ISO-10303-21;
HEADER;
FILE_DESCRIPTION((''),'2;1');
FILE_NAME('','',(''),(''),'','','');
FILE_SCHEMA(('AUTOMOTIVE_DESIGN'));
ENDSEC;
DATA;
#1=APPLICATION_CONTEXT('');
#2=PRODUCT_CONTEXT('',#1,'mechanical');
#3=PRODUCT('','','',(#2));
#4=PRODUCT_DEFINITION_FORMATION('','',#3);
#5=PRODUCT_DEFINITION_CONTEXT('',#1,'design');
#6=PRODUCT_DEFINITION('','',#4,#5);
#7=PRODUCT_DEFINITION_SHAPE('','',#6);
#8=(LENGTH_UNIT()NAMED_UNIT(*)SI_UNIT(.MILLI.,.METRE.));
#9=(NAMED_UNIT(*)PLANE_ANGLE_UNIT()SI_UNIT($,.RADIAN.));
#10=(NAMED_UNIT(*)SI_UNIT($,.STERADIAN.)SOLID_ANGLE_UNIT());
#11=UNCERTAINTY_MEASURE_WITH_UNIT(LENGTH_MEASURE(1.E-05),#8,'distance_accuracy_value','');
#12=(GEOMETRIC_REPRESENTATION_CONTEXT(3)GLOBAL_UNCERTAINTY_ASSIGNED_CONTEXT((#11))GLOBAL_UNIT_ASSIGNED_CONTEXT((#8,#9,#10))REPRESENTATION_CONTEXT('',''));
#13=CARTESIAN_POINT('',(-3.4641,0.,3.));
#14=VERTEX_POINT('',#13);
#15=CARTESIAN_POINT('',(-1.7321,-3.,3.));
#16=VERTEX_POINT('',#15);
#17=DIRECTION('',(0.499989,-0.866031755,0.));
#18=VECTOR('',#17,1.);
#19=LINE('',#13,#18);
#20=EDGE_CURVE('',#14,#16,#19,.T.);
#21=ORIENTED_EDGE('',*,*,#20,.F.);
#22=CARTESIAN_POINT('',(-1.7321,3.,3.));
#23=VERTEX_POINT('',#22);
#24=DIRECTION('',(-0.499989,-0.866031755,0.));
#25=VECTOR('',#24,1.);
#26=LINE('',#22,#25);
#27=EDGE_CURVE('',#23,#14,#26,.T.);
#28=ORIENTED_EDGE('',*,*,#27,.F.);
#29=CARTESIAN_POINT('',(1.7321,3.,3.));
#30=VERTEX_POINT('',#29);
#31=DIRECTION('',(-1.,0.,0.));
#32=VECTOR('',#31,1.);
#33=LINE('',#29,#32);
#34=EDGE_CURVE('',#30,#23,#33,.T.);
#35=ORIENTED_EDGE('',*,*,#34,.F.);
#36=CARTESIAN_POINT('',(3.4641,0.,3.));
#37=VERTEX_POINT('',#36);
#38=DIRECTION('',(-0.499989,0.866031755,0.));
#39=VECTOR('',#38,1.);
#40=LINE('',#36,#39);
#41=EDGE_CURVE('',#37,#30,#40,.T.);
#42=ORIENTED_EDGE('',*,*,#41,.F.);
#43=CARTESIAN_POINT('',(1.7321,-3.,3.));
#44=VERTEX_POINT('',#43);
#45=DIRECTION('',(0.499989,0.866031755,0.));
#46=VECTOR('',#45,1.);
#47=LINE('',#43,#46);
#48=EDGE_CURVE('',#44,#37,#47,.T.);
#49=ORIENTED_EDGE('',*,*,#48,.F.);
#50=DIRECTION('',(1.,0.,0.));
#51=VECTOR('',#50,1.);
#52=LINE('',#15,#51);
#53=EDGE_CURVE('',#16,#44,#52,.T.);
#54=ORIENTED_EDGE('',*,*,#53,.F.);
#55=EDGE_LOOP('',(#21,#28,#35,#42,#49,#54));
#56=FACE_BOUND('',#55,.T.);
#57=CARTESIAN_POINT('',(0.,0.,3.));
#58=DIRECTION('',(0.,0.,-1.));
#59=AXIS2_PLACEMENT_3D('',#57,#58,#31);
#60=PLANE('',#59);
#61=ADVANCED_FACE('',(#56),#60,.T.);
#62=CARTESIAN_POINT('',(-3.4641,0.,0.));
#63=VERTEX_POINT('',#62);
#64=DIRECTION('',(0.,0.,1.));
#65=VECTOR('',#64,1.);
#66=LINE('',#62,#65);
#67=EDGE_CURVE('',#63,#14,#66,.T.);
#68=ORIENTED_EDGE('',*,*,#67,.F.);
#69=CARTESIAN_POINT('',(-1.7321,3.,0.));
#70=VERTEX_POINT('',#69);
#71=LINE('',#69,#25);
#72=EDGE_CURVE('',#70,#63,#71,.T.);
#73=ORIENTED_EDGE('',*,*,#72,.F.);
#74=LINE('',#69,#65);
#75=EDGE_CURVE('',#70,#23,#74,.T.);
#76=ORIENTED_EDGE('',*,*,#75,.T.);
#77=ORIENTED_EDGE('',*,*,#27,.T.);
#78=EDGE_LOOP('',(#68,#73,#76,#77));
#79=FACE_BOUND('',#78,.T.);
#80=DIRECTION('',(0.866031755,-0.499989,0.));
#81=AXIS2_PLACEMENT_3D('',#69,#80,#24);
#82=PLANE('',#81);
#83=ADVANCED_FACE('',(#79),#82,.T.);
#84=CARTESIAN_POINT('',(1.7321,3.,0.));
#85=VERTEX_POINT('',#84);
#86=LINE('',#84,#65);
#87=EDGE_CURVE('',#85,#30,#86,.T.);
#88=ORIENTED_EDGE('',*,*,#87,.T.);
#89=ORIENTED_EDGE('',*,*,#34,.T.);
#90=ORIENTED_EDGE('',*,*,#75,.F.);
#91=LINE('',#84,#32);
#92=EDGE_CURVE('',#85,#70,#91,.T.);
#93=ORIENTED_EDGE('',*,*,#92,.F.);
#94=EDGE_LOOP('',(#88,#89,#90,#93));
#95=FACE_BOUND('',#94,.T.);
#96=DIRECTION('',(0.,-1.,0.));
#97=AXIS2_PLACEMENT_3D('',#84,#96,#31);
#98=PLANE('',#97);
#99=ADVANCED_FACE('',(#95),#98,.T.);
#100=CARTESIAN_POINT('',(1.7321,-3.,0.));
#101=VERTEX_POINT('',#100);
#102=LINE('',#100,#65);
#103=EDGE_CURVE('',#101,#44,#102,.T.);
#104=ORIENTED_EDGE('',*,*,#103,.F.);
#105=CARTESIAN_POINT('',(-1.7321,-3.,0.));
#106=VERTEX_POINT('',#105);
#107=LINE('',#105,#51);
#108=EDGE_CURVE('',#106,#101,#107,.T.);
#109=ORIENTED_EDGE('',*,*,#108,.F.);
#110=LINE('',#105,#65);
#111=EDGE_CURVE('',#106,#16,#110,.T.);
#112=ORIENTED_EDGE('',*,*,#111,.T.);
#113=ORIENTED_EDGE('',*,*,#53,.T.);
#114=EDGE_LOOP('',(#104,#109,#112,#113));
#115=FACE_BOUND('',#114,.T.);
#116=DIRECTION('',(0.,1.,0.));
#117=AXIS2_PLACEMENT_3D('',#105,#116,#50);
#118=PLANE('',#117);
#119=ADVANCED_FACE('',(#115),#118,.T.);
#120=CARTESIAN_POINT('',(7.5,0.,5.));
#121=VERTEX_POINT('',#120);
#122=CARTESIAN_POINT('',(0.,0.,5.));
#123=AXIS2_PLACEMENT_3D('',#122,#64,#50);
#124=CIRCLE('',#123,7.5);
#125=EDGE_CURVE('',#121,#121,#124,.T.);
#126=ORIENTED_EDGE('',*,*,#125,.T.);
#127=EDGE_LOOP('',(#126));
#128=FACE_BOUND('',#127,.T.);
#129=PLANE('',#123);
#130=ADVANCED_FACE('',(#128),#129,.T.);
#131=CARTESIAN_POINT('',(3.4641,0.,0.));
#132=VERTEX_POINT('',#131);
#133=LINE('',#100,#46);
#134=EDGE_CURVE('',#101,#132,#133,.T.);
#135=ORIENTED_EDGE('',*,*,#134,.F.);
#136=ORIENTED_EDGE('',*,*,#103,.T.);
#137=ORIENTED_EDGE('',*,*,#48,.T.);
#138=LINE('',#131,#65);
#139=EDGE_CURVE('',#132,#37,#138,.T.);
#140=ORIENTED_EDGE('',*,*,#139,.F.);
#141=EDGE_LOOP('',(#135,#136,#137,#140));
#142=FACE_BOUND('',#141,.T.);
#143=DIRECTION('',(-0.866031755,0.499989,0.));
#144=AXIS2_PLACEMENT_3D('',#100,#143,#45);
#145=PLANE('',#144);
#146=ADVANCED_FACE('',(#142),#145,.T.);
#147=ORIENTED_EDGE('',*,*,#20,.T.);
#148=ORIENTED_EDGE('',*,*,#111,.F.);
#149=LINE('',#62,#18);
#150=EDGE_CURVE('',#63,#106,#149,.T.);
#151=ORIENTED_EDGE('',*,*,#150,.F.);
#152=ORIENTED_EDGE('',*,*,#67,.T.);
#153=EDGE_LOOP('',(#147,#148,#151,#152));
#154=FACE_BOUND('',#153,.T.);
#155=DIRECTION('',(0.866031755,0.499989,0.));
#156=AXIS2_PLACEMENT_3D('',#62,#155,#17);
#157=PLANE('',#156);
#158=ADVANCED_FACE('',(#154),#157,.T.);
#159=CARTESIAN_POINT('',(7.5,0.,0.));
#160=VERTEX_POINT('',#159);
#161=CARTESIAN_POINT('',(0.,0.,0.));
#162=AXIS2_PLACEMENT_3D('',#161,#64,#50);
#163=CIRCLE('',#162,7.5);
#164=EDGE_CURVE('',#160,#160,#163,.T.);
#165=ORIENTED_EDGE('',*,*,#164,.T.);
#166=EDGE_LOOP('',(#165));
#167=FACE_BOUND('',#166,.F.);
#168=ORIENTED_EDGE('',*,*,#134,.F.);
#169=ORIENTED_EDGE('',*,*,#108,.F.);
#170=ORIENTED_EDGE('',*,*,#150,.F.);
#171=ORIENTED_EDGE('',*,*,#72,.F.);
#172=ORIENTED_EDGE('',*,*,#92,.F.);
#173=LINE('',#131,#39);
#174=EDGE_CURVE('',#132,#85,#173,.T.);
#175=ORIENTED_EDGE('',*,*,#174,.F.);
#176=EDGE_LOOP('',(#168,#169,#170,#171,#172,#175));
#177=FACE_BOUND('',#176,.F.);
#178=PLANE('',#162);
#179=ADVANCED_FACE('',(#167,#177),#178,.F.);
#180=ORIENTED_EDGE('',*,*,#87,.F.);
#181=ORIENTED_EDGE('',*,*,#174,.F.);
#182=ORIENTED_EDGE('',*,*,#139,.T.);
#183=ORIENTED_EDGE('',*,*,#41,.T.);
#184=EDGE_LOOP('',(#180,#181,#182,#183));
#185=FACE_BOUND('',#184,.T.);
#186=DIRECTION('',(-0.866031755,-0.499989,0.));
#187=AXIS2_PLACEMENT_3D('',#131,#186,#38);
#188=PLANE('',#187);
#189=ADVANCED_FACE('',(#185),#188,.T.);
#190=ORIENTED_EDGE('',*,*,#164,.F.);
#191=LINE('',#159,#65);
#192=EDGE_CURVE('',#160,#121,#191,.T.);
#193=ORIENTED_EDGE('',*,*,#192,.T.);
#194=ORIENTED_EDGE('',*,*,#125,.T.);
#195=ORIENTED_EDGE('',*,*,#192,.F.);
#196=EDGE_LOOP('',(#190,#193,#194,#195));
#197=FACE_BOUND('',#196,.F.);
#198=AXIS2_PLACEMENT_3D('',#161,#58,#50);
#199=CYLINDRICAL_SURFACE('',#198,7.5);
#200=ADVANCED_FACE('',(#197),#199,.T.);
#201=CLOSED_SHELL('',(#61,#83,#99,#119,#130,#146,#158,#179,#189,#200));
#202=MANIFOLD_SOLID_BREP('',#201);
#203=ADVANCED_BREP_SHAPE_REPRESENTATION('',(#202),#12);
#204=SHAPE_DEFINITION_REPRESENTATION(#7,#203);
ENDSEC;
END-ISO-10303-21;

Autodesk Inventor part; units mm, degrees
ref_plane "YZ Plane" through (0, 0, 0) normal (1, 0, 0) x (0, 1, 0)
ref_plane "XZ Plane" through (0, 0, 0) normal (0, 1, 0) x (-1, 0, 0)
ref_plane "XY Plane" through (0, 0, 0) normal (0, 0, 1) x (1, 0, 0)
sketch "Эскиз1" plane through (0, 0, 0) normal (0, 0, 1) x (1, 0, 0)
  circle A0 centre (0, 0) radius 7.5
  dimension "d0" = 15
extrude "Выдавливание1" add sketch "Эскиз1" along normal blind 5
sketch "Эскиз2" plane through (0, 0, 0) normal (0, 0, -1) x (-1, 0, 0)
  circle A0 centre (0, 0) radius 3 construction
  line L0 (1.7321, 3) -> (3.4641, 0)
  line L1 (3.4641, 0) -> (1.7321, -3)
  line L2 (1.7321, -3) -> (-1.7321, -3)
  line L3 (-1.7321, -3) -> (-3.4641, 0)
  line L4 (-3.4641, 0) -> (-1.7321, 3)
  line L5 (-1.7321, 3) -> (1.7321, 3)
  point P0 (0, 3)
  dimension "d3" = 6
extrude "Выдавливание2" cut sketch "Эскиз2" against normal blind 3
properties part number "hand"
